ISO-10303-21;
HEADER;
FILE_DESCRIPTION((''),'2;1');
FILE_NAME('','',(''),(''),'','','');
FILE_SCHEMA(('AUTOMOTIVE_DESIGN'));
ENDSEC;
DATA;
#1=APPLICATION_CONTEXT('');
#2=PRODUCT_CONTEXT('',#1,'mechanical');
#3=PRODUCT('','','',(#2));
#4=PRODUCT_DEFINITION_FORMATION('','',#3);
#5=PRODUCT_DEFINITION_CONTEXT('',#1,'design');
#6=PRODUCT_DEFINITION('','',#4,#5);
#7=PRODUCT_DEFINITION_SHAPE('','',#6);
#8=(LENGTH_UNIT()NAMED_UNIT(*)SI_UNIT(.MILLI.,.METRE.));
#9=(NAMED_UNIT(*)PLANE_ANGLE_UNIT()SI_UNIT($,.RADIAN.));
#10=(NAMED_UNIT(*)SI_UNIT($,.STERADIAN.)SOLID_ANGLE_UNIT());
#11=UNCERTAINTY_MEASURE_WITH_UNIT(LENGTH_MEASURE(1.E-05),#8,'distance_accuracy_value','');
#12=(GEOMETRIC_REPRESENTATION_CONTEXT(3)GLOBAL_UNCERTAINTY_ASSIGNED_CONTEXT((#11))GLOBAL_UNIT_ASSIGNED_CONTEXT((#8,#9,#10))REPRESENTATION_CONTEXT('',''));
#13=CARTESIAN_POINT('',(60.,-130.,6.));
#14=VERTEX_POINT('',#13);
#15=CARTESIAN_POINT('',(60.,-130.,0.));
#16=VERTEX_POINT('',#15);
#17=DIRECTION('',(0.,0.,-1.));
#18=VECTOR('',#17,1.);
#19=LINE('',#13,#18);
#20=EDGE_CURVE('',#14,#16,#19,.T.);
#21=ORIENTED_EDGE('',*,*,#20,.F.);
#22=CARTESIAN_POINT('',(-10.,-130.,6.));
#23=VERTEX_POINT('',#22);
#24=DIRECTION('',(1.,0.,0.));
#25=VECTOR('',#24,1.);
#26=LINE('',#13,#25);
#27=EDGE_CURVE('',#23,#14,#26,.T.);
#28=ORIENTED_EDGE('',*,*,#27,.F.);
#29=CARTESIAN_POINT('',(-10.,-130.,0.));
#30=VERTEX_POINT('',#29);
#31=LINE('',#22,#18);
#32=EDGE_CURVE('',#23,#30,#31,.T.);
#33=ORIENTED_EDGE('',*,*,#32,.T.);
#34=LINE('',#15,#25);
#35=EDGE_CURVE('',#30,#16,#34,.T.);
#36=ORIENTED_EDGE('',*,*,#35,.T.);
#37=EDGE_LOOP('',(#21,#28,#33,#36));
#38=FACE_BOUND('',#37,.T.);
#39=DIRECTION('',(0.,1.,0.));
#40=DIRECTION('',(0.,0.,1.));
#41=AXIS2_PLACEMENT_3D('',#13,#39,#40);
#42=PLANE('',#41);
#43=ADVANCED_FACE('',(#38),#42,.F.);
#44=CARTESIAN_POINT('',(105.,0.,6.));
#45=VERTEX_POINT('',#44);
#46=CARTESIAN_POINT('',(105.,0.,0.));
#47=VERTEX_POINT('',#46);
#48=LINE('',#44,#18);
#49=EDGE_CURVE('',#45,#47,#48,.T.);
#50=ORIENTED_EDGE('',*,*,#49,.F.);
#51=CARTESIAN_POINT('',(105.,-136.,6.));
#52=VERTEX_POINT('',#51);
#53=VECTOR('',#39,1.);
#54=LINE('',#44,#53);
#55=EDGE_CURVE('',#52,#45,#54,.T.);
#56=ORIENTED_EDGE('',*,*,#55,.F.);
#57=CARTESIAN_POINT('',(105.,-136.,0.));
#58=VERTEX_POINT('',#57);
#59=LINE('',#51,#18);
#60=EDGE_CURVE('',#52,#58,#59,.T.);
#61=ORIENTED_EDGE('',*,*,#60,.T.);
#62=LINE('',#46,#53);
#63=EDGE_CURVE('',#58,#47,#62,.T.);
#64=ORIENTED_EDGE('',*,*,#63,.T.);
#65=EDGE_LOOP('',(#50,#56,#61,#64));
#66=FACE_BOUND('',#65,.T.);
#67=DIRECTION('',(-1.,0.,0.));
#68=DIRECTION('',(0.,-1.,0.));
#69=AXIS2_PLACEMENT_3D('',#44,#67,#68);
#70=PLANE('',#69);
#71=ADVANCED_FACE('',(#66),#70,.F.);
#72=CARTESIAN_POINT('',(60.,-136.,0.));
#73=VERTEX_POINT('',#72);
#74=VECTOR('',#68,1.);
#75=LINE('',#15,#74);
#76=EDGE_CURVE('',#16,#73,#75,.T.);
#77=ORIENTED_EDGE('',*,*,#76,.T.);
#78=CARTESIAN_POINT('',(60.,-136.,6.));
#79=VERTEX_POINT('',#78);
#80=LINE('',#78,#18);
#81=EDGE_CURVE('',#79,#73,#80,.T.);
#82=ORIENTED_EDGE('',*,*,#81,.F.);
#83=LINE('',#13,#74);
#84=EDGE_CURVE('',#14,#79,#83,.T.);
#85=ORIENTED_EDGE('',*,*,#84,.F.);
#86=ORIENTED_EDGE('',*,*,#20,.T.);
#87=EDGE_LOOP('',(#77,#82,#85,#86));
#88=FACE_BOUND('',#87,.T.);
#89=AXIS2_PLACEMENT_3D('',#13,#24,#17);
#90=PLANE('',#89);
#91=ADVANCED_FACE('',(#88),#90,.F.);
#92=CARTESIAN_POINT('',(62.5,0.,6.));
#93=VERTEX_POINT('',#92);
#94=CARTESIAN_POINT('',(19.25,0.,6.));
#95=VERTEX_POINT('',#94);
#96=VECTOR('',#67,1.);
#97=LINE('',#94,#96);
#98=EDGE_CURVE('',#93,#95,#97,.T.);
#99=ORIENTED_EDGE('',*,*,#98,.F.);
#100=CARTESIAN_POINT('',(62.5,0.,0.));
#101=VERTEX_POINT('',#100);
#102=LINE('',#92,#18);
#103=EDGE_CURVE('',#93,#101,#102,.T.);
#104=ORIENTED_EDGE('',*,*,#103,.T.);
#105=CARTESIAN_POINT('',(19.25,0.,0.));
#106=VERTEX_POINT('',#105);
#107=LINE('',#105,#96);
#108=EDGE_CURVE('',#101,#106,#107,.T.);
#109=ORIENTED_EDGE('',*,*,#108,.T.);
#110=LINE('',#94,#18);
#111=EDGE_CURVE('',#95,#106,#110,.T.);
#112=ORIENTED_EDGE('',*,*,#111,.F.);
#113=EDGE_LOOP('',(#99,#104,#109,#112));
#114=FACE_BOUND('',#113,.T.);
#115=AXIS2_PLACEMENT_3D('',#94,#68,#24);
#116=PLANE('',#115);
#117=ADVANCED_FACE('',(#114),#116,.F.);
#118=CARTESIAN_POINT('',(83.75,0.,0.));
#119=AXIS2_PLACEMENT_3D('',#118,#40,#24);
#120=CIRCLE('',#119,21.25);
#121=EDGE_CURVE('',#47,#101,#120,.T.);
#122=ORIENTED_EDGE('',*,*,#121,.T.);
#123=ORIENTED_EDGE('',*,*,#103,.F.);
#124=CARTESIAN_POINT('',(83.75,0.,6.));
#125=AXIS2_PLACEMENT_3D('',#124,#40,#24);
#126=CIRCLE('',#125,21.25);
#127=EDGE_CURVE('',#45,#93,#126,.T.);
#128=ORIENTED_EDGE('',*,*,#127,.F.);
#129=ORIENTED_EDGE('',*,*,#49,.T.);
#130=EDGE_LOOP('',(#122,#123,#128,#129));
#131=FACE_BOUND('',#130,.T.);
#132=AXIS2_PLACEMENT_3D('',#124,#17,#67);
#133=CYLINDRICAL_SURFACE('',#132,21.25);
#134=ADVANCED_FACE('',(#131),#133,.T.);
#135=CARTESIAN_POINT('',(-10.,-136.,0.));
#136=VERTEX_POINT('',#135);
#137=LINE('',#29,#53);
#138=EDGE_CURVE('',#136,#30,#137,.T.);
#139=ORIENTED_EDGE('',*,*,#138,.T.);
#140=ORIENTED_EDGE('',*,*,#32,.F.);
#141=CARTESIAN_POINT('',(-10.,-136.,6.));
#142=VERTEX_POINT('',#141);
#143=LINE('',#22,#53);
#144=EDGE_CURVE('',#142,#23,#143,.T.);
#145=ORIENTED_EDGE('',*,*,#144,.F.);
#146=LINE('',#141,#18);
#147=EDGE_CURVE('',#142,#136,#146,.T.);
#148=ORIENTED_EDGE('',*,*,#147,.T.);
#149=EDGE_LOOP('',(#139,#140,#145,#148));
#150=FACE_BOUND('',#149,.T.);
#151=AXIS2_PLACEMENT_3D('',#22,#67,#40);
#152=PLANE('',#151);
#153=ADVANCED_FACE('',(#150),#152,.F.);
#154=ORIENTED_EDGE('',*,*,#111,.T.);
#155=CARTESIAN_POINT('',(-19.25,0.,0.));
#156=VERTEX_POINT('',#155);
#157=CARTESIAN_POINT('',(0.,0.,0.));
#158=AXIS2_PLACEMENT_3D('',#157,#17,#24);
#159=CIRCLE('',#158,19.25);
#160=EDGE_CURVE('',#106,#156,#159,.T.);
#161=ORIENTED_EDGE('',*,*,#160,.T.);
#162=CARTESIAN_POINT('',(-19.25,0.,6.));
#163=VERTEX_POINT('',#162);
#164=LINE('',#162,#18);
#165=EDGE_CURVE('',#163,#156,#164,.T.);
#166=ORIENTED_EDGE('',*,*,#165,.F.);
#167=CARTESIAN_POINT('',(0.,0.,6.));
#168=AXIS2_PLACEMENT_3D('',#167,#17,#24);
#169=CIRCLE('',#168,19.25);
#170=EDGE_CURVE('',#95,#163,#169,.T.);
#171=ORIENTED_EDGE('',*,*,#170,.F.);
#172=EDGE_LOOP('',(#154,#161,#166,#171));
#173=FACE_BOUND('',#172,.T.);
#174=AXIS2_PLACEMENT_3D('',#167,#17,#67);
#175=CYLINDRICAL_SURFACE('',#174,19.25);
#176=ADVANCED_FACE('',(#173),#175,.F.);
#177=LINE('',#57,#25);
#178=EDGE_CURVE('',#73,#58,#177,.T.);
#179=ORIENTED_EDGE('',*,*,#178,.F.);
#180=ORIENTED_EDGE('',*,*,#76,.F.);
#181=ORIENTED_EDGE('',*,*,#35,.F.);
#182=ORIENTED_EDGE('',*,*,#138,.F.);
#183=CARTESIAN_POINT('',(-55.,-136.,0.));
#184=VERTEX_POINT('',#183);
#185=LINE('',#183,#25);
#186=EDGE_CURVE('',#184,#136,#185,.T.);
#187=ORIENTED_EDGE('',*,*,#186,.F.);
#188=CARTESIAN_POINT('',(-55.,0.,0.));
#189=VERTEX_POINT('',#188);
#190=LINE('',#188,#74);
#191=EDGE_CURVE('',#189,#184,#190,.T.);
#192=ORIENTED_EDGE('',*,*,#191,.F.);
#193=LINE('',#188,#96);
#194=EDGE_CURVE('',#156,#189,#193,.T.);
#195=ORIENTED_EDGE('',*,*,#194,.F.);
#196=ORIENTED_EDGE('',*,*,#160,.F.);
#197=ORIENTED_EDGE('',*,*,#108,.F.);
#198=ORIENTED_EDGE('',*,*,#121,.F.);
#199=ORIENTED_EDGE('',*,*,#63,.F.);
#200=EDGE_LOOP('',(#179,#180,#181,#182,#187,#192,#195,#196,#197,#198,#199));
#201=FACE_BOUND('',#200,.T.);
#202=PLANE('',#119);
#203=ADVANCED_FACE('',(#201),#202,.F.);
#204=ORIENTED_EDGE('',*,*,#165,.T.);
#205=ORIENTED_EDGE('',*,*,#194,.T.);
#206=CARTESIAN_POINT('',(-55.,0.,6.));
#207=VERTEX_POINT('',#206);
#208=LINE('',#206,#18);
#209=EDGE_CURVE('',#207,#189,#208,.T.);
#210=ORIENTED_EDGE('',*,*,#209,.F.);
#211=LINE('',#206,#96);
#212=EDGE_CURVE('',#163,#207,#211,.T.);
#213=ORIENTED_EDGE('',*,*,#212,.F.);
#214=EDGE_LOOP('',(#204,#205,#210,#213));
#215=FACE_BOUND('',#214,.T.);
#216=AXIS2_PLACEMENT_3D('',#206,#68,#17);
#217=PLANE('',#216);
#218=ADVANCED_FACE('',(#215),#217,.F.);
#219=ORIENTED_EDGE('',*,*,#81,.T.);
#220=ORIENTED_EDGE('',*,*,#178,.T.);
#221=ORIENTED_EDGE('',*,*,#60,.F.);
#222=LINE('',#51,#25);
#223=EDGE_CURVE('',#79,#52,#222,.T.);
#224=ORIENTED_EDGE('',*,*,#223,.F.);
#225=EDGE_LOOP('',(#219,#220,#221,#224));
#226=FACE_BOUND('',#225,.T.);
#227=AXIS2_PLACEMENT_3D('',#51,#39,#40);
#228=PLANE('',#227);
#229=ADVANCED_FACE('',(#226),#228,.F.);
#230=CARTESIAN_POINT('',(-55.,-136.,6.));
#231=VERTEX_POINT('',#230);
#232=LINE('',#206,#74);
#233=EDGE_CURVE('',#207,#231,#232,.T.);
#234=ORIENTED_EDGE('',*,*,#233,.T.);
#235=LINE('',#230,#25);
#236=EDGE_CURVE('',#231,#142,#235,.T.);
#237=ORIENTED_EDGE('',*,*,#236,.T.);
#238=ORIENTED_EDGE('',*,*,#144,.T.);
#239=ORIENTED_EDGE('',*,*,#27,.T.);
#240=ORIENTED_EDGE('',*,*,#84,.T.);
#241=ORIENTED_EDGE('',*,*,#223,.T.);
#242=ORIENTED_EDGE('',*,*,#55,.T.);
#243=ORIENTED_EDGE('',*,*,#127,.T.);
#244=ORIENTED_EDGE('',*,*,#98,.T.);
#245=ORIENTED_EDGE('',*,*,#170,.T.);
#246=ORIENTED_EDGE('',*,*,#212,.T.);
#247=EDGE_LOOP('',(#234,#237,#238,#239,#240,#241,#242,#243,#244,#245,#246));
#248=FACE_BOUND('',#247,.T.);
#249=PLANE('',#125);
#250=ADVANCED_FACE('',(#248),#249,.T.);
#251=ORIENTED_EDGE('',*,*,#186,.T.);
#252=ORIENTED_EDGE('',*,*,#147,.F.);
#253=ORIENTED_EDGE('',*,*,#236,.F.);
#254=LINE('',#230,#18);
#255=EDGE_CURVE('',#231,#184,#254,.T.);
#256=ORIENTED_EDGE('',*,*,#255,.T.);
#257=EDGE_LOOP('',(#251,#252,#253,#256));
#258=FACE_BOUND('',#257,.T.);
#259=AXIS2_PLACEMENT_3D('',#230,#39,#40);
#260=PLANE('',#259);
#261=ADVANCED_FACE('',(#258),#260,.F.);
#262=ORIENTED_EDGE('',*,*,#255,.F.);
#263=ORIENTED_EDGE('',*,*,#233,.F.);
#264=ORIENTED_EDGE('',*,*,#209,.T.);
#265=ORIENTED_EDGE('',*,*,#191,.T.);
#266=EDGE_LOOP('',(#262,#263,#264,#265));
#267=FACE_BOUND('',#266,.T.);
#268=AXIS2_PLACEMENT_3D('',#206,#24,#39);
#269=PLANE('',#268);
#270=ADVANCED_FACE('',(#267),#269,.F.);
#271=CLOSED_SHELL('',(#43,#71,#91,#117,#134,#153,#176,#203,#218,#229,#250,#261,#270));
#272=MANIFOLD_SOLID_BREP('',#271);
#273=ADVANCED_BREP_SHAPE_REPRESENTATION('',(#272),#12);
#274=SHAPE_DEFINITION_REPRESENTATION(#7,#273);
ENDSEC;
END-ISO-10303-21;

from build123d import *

# Parameters (mm, degrees)
BOSS_EXTRUDE1_DEPTH = 6


with BuildPart() as part:
    # Sketch1 → Boss-Extrude1 (new body)
    with BuildSketch(Plane.XY):
        with BuildLine():
            Line((-55, 0), (-19.25, 0))
            ThreePointArc((-19.25, 0), (0, -19.25), (19.25, 0))
            Line((19.25, 0), (62.5, 0))
            ThreePointArc((62.5, 0), (83.75, 21.25), (105, 0))
            Line((105, 0), (105, -136))
            Line((105, -136), (60, -136))
            Line((60, -136), (60, -130))
            Line((60, -130), (-10, -130))
            Line((-10, -130), (-10, -136))
            Line((-10, -136), (-55, -136))
            Line((-55, -136), (-55, 0))
        make_face()
    extrude(amount=BOSS_EXTRUDE1_DEPTH)


solid = part.part
